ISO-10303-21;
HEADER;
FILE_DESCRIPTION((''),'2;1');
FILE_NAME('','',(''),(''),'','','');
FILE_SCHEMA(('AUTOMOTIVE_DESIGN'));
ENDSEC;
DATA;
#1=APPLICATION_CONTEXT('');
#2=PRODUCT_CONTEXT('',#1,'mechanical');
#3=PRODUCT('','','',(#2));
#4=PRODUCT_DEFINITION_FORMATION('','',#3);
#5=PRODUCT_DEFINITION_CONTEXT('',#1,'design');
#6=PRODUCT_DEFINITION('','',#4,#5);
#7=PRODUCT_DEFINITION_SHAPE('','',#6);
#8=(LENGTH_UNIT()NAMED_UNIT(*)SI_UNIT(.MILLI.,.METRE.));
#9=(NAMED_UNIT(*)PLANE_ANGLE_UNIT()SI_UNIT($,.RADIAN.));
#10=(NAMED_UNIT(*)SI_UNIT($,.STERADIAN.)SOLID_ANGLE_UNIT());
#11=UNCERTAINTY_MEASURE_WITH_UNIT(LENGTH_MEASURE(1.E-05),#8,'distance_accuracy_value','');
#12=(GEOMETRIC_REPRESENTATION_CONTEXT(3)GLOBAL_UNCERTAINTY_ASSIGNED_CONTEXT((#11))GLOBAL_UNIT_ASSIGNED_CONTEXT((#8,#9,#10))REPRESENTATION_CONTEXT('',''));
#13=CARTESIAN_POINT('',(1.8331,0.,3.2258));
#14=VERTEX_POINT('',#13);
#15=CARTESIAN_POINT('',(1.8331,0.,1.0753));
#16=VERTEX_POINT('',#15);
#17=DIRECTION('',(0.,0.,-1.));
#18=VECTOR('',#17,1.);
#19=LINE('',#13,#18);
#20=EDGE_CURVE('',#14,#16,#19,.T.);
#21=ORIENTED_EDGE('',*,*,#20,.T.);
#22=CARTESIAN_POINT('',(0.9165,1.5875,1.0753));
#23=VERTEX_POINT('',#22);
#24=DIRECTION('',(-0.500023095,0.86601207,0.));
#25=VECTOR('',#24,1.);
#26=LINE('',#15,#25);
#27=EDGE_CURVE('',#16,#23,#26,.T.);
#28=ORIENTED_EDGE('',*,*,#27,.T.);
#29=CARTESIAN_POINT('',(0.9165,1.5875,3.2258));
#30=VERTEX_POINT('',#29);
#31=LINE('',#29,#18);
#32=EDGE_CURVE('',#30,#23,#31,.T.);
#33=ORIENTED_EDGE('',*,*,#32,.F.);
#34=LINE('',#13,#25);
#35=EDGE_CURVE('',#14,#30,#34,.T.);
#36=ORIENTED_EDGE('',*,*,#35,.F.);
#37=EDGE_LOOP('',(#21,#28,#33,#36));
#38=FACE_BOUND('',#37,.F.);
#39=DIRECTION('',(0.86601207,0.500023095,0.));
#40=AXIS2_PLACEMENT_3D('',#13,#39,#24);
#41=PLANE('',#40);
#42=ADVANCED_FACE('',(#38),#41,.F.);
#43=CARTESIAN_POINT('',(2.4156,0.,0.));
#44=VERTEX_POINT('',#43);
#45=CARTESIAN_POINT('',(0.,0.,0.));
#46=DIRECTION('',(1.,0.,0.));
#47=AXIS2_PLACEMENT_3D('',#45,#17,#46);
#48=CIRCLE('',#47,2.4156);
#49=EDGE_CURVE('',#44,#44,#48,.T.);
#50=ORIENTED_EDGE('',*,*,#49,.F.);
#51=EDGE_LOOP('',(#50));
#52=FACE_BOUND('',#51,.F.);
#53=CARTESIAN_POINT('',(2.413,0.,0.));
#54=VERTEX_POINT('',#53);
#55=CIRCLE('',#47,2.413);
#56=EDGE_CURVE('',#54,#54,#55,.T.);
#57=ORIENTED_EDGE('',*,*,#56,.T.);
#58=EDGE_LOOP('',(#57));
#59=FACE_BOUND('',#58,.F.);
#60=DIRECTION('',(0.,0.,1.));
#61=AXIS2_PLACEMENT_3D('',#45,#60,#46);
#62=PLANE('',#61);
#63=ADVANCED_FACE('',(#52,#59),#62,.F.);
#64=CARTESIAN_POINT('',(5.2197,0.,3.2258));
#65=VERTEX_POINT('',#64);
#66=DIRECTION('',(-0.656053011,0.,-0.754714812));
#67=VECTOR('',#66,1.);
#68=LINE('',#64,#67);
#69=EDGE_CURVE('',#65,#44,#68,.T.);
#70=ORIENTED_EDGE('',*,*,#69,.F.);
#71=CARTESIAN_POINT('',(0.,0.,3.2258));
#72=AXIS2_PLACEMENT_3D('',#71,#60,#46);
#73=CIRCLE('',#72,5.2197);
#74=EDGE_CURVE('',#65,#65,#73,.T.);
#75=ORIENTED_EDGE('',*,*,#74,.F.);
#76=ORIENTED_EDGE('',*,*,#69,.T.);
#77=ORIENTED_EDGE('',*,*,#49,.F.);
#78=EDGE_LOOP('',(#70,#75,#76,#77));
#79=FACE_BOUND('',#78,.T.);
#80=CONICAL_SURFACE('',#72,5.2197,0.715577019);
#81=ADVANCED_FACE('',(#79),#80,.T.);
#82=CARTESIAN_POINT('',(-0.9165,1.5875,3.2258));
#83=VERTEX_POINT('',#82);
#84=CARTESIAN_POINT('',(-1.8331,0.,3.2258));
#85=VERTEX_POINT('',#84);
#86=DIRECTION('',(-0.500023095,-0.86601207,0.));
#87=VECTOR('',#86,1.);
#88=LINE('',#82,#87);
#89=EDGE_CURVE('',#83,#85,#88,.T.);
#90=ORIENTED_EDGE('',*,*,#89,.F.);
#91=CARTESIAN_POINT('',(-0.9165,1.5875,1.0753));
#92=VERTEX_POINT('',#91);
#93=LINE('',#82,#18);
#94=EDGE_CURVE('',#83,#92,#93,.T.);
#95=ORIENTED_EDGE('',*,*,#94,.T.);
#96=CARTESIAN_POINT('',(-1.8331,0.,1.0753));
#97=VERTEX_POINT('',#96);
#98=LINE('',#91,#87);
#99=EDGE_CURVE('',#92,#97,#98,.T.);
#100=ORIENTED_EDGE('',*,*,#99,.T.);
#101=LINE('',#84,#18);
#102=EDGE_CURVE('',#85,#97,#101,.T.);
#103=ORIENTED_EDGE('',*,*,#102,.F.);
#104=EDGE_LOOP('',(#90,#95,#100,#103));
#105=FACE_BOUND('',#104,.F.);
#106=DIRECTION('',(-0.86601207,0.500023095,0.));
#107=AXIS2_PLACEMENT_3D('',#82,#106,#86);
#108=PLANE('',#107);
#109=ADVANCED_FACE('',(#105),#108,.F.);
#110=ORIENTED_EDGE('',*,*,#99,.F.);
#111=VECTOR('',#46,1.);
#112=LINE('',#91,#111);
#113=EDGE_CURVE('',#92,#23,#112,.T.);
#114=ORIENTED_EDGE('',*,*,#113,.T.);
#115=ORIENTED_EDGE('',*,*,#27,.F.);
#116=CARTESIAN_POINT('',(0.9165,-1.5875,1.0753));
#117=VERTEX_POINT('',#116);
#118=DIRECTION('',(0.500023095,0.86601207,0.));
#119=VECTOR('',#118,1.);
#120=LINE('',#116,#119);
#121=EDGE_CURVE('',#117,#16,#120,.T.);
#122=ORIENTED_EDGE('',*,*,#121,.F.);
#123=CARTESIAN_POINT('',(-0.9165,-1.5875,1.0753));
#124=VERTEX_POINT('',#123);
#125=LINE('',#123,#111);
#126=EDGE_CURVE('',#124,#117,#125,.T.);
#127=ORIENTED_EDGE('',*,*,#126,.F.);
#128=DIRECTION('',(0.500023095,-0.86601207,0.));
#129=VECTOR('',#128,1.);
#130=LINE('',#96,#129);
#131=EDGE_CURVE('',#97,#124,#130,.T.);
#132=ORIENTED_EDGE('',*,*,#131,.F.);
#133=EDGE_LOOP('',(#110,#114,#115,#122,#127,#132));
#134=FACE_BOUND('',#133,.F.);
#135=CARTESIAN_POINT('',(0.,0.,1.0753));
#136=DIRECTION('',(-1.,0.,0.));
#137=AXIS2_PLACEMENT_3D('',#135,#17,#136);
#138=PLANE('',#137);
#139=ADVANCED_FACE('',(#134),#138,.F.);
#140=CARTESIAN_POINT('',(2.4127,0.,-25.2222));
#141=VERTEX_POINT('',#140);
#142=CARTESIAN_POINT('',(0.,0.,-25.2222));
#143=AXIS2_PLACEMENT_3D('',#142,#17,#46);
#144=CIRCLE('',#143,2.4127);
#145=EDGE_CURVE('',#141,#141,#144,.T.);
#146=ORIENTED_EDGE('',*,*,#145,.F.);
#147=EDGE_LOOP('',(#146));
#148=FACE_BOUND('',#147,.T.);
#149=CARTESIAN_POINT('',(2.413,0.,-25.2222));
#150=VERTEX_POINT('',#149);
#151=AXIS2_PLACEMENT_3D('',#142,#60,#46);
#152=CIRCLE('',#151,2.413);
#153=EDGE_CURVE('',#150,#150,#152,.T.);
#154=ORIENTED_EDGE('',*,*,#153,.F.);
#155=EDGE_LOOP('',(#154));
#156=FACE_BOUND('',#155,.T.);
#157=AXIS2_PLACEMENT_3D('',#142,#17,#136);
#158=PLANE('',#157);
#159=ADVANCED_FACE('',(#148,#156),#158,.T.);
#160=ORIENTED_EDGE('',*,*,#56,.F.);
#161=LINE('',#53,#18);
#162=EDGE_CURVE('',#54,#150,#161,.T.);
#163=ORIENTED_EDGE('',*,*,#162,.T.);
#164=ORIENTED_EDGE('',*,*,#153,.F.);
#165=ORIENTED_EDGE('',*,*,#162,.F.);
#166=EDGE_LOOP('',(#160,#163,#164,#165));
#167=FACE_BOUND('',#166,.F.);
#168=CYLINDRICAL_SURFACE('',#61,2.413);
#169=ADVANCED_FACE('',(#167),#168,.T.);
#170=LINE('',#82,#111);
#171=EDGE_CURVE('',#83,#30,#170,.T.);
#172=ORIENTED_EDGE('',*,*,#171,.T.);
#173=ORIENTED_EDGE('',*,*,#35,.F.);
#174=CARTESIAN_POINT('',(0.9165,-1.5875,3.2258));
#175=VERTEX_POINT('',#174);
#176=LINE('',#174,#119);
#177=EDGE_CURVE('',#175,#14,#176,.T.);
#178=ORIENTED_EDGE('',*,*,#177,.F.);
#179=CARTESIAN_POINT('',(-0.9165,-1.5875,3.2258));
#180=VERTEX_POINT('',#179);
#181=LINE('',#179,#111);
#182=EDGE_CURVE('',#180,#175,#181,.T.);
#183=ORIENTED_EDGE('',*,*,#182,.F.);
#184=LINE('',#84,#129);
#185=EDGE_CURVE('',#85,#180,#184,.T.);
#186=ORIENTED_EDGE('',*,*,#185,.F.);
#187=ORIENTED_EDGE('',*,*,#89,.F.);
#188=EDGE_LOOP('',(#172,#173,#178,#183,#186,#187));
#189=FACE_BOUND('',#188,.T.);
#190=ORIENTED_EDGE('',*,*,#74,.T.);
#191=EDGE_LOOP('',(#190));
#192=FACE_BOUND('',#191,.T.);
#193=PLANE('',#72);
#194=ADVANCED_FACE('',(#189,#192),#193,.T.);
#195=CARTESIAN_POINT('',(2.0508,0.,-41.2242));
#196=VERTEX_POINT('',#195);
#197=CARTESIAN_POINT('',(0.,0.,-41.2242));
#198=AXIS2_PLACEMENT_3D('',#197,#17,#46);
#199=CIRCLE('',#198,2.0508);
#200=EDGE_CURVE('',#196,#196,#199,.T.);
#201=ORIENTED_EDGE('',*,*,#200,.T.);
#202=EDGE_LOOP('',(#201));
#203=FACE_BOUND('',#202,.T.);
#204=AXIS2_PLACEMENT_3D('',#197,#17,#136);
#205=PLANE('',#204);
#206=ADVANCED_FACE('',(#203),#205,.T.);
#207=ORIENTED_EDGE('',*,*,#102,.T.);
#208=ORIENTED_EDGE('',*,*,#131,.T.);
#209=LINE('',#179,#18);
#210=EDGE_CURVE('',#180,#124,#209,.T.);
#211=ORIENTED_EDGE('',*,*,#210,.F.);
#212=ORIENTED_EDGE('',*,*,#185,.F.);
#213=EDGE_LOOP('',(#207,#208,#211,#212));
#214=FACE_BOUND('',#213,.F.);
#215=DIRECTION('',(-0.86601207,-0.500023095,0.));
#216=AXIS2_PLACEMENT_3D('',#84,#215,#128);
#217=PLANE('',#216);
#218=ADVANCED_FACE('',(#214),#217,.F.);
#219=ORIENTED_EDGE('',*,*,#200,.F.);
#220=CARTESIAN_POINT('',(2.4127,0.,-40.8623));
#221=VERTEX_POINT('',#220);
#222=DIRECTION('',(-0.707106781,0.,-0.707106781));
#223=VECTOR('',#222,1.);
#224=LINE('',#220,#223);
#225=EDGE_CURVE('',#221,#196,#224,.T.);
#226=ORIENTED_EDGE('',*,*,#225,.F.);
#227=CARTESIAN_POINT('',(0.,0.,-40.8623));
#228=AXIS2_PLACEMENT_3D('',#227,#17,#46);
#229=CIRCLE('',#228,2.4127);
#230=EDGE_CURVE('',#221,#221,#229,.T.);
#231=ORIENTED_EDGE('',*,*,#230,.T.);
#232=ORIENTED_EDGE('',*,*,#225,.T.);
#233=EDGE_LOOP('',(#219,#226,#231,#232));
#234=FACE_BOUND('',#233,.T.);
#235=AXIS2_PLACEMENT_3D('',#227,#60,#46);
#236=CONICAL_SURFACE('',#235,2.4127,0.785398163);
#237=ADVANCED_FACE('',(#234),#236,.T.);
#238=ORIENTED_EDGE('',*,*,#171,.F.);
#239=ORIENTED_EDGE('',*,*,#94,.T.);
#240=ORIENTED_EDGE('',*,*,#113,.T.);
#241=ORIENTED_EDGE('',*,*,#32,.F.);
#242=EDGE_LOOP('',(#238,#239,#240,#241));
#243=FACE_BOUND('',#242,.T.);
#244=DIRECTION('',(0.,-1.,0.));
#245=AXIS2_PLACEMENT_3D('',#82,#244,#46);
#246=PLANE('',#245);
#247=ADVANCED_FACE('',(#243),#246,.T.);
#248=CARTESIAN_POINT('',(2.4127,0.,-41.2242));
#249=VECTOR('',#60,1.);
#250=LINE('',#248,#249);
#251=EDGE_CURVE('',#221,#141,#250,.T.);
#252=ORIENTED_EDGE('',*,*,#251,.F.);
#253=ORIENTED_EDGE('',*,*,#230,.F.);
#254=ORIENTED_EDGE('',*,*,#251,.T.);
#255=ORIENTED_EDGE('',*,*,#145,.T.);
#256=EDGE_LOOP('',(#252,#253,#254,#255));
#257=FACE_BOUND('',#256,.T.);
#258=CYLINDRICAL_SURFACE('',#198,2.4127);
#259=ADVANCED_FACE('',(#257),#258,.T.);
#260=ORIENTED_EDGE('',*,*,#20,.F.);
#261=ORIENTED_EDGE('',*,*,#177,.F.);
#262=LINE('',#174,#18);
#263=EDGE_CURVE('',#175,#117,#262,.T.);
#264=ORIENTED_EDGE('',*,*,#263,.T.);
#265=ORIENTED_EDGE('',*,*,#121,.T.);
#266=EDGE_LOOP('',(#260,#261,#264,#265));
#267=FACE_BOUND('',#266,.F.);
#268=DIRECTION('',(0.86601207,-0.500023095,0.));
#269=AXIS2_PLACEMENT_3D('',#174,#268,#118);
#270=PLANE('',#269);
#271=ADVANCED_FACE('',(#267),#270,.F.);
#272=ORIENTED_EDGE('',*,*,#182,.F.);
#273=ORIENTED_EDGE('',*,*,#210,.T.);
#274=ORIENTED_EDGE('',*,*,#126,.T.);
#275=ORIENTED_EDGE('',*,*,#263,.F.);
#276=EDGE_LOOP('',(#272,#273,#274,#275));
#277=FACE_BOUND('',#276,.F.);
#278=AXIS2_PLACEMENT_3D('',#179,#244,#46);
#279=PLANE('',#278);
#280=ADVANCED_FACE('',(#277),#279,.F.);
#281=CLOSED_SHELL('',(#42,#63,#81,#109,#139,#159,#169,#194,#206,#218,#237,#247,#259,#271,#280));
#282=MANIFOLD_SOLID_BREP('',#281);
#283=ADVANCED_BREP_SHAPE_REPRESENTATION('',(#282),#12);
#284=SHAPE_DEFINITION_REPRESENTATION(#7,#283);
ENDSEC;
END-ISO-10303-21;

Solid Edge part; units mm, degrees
sketch "Sketch1" plane through (0, 0, 0) normal (0, 0, 1) x (1, 0, 0)
  circle A0 centre (0, 0) radius 5.2197
  dimension "D1" = 10.4394
extrude "Protrusion1" add sketch "Sketch1" along normal blind 3.2258
sketch "Sketch2" plane through (0, 0, 0) normal (0, 0, -1) x (1, 0, 0)
  circle A0 centre (0, 0) radius 2.413
extrude "Protrusion2" add sketch "Sketch2" along normal blind 41.2242
sketch "Sketch3" plane through (0, 0, -41.2242) normal (0, 0, -1) x (1, 0, 0)
  circle A0 centre (0, 0) radius 2.4127
extrude "Cutout1" cut sketch "Sketch3" against normal blind 16.002 flip side to cut
chamfer "Chamfer_1" distance 0.3619 angle 45 1 edges at (-2.4127, 0, -41.2242)
sketch "Sketch4" plane through (0, 0, 3.2258) normal (0, 0, 1) x (1, 0, 0)
  line L0 (-0.9165, 1.5875) -> (0.9165, 1.5875)
  line L1 (1.8331, 0) -> (0.9165, 1.5875)
  line L2 (0.9165, -1.5875) -> (1.8331, 0)
  line L3 (-0.9165, -1.5875) -> (0.9165, -1.5875)
  line L4 (-1.8331, 0) -> (-0.9165, -1.5875)
  line L5 (-0.9165, 1.5875) -> (-1.8331, 0)
  dimension "D1" = 3.175
extrude "Cutout2" cut sketch "Sketch4" against normal blind 2.1505
sketch "Sketch5" plane through (0, 0, 0) normal (0, -1, 0) x (1, 0, 0)
  line L0 (5.2197, 3.2258) -> (2.4156, 0)
  line L1 (2.4156, 0) -> (5.2197, 0)
  line L2 (5.2197, 0) -> (5.2197, 3.2258)
revolve "RevolvedCutout1" cut sketch "Sketch5" angle 360 about axis through (0, 0, 14.0017) along (0, 0, -1)
properties part number "160580"
